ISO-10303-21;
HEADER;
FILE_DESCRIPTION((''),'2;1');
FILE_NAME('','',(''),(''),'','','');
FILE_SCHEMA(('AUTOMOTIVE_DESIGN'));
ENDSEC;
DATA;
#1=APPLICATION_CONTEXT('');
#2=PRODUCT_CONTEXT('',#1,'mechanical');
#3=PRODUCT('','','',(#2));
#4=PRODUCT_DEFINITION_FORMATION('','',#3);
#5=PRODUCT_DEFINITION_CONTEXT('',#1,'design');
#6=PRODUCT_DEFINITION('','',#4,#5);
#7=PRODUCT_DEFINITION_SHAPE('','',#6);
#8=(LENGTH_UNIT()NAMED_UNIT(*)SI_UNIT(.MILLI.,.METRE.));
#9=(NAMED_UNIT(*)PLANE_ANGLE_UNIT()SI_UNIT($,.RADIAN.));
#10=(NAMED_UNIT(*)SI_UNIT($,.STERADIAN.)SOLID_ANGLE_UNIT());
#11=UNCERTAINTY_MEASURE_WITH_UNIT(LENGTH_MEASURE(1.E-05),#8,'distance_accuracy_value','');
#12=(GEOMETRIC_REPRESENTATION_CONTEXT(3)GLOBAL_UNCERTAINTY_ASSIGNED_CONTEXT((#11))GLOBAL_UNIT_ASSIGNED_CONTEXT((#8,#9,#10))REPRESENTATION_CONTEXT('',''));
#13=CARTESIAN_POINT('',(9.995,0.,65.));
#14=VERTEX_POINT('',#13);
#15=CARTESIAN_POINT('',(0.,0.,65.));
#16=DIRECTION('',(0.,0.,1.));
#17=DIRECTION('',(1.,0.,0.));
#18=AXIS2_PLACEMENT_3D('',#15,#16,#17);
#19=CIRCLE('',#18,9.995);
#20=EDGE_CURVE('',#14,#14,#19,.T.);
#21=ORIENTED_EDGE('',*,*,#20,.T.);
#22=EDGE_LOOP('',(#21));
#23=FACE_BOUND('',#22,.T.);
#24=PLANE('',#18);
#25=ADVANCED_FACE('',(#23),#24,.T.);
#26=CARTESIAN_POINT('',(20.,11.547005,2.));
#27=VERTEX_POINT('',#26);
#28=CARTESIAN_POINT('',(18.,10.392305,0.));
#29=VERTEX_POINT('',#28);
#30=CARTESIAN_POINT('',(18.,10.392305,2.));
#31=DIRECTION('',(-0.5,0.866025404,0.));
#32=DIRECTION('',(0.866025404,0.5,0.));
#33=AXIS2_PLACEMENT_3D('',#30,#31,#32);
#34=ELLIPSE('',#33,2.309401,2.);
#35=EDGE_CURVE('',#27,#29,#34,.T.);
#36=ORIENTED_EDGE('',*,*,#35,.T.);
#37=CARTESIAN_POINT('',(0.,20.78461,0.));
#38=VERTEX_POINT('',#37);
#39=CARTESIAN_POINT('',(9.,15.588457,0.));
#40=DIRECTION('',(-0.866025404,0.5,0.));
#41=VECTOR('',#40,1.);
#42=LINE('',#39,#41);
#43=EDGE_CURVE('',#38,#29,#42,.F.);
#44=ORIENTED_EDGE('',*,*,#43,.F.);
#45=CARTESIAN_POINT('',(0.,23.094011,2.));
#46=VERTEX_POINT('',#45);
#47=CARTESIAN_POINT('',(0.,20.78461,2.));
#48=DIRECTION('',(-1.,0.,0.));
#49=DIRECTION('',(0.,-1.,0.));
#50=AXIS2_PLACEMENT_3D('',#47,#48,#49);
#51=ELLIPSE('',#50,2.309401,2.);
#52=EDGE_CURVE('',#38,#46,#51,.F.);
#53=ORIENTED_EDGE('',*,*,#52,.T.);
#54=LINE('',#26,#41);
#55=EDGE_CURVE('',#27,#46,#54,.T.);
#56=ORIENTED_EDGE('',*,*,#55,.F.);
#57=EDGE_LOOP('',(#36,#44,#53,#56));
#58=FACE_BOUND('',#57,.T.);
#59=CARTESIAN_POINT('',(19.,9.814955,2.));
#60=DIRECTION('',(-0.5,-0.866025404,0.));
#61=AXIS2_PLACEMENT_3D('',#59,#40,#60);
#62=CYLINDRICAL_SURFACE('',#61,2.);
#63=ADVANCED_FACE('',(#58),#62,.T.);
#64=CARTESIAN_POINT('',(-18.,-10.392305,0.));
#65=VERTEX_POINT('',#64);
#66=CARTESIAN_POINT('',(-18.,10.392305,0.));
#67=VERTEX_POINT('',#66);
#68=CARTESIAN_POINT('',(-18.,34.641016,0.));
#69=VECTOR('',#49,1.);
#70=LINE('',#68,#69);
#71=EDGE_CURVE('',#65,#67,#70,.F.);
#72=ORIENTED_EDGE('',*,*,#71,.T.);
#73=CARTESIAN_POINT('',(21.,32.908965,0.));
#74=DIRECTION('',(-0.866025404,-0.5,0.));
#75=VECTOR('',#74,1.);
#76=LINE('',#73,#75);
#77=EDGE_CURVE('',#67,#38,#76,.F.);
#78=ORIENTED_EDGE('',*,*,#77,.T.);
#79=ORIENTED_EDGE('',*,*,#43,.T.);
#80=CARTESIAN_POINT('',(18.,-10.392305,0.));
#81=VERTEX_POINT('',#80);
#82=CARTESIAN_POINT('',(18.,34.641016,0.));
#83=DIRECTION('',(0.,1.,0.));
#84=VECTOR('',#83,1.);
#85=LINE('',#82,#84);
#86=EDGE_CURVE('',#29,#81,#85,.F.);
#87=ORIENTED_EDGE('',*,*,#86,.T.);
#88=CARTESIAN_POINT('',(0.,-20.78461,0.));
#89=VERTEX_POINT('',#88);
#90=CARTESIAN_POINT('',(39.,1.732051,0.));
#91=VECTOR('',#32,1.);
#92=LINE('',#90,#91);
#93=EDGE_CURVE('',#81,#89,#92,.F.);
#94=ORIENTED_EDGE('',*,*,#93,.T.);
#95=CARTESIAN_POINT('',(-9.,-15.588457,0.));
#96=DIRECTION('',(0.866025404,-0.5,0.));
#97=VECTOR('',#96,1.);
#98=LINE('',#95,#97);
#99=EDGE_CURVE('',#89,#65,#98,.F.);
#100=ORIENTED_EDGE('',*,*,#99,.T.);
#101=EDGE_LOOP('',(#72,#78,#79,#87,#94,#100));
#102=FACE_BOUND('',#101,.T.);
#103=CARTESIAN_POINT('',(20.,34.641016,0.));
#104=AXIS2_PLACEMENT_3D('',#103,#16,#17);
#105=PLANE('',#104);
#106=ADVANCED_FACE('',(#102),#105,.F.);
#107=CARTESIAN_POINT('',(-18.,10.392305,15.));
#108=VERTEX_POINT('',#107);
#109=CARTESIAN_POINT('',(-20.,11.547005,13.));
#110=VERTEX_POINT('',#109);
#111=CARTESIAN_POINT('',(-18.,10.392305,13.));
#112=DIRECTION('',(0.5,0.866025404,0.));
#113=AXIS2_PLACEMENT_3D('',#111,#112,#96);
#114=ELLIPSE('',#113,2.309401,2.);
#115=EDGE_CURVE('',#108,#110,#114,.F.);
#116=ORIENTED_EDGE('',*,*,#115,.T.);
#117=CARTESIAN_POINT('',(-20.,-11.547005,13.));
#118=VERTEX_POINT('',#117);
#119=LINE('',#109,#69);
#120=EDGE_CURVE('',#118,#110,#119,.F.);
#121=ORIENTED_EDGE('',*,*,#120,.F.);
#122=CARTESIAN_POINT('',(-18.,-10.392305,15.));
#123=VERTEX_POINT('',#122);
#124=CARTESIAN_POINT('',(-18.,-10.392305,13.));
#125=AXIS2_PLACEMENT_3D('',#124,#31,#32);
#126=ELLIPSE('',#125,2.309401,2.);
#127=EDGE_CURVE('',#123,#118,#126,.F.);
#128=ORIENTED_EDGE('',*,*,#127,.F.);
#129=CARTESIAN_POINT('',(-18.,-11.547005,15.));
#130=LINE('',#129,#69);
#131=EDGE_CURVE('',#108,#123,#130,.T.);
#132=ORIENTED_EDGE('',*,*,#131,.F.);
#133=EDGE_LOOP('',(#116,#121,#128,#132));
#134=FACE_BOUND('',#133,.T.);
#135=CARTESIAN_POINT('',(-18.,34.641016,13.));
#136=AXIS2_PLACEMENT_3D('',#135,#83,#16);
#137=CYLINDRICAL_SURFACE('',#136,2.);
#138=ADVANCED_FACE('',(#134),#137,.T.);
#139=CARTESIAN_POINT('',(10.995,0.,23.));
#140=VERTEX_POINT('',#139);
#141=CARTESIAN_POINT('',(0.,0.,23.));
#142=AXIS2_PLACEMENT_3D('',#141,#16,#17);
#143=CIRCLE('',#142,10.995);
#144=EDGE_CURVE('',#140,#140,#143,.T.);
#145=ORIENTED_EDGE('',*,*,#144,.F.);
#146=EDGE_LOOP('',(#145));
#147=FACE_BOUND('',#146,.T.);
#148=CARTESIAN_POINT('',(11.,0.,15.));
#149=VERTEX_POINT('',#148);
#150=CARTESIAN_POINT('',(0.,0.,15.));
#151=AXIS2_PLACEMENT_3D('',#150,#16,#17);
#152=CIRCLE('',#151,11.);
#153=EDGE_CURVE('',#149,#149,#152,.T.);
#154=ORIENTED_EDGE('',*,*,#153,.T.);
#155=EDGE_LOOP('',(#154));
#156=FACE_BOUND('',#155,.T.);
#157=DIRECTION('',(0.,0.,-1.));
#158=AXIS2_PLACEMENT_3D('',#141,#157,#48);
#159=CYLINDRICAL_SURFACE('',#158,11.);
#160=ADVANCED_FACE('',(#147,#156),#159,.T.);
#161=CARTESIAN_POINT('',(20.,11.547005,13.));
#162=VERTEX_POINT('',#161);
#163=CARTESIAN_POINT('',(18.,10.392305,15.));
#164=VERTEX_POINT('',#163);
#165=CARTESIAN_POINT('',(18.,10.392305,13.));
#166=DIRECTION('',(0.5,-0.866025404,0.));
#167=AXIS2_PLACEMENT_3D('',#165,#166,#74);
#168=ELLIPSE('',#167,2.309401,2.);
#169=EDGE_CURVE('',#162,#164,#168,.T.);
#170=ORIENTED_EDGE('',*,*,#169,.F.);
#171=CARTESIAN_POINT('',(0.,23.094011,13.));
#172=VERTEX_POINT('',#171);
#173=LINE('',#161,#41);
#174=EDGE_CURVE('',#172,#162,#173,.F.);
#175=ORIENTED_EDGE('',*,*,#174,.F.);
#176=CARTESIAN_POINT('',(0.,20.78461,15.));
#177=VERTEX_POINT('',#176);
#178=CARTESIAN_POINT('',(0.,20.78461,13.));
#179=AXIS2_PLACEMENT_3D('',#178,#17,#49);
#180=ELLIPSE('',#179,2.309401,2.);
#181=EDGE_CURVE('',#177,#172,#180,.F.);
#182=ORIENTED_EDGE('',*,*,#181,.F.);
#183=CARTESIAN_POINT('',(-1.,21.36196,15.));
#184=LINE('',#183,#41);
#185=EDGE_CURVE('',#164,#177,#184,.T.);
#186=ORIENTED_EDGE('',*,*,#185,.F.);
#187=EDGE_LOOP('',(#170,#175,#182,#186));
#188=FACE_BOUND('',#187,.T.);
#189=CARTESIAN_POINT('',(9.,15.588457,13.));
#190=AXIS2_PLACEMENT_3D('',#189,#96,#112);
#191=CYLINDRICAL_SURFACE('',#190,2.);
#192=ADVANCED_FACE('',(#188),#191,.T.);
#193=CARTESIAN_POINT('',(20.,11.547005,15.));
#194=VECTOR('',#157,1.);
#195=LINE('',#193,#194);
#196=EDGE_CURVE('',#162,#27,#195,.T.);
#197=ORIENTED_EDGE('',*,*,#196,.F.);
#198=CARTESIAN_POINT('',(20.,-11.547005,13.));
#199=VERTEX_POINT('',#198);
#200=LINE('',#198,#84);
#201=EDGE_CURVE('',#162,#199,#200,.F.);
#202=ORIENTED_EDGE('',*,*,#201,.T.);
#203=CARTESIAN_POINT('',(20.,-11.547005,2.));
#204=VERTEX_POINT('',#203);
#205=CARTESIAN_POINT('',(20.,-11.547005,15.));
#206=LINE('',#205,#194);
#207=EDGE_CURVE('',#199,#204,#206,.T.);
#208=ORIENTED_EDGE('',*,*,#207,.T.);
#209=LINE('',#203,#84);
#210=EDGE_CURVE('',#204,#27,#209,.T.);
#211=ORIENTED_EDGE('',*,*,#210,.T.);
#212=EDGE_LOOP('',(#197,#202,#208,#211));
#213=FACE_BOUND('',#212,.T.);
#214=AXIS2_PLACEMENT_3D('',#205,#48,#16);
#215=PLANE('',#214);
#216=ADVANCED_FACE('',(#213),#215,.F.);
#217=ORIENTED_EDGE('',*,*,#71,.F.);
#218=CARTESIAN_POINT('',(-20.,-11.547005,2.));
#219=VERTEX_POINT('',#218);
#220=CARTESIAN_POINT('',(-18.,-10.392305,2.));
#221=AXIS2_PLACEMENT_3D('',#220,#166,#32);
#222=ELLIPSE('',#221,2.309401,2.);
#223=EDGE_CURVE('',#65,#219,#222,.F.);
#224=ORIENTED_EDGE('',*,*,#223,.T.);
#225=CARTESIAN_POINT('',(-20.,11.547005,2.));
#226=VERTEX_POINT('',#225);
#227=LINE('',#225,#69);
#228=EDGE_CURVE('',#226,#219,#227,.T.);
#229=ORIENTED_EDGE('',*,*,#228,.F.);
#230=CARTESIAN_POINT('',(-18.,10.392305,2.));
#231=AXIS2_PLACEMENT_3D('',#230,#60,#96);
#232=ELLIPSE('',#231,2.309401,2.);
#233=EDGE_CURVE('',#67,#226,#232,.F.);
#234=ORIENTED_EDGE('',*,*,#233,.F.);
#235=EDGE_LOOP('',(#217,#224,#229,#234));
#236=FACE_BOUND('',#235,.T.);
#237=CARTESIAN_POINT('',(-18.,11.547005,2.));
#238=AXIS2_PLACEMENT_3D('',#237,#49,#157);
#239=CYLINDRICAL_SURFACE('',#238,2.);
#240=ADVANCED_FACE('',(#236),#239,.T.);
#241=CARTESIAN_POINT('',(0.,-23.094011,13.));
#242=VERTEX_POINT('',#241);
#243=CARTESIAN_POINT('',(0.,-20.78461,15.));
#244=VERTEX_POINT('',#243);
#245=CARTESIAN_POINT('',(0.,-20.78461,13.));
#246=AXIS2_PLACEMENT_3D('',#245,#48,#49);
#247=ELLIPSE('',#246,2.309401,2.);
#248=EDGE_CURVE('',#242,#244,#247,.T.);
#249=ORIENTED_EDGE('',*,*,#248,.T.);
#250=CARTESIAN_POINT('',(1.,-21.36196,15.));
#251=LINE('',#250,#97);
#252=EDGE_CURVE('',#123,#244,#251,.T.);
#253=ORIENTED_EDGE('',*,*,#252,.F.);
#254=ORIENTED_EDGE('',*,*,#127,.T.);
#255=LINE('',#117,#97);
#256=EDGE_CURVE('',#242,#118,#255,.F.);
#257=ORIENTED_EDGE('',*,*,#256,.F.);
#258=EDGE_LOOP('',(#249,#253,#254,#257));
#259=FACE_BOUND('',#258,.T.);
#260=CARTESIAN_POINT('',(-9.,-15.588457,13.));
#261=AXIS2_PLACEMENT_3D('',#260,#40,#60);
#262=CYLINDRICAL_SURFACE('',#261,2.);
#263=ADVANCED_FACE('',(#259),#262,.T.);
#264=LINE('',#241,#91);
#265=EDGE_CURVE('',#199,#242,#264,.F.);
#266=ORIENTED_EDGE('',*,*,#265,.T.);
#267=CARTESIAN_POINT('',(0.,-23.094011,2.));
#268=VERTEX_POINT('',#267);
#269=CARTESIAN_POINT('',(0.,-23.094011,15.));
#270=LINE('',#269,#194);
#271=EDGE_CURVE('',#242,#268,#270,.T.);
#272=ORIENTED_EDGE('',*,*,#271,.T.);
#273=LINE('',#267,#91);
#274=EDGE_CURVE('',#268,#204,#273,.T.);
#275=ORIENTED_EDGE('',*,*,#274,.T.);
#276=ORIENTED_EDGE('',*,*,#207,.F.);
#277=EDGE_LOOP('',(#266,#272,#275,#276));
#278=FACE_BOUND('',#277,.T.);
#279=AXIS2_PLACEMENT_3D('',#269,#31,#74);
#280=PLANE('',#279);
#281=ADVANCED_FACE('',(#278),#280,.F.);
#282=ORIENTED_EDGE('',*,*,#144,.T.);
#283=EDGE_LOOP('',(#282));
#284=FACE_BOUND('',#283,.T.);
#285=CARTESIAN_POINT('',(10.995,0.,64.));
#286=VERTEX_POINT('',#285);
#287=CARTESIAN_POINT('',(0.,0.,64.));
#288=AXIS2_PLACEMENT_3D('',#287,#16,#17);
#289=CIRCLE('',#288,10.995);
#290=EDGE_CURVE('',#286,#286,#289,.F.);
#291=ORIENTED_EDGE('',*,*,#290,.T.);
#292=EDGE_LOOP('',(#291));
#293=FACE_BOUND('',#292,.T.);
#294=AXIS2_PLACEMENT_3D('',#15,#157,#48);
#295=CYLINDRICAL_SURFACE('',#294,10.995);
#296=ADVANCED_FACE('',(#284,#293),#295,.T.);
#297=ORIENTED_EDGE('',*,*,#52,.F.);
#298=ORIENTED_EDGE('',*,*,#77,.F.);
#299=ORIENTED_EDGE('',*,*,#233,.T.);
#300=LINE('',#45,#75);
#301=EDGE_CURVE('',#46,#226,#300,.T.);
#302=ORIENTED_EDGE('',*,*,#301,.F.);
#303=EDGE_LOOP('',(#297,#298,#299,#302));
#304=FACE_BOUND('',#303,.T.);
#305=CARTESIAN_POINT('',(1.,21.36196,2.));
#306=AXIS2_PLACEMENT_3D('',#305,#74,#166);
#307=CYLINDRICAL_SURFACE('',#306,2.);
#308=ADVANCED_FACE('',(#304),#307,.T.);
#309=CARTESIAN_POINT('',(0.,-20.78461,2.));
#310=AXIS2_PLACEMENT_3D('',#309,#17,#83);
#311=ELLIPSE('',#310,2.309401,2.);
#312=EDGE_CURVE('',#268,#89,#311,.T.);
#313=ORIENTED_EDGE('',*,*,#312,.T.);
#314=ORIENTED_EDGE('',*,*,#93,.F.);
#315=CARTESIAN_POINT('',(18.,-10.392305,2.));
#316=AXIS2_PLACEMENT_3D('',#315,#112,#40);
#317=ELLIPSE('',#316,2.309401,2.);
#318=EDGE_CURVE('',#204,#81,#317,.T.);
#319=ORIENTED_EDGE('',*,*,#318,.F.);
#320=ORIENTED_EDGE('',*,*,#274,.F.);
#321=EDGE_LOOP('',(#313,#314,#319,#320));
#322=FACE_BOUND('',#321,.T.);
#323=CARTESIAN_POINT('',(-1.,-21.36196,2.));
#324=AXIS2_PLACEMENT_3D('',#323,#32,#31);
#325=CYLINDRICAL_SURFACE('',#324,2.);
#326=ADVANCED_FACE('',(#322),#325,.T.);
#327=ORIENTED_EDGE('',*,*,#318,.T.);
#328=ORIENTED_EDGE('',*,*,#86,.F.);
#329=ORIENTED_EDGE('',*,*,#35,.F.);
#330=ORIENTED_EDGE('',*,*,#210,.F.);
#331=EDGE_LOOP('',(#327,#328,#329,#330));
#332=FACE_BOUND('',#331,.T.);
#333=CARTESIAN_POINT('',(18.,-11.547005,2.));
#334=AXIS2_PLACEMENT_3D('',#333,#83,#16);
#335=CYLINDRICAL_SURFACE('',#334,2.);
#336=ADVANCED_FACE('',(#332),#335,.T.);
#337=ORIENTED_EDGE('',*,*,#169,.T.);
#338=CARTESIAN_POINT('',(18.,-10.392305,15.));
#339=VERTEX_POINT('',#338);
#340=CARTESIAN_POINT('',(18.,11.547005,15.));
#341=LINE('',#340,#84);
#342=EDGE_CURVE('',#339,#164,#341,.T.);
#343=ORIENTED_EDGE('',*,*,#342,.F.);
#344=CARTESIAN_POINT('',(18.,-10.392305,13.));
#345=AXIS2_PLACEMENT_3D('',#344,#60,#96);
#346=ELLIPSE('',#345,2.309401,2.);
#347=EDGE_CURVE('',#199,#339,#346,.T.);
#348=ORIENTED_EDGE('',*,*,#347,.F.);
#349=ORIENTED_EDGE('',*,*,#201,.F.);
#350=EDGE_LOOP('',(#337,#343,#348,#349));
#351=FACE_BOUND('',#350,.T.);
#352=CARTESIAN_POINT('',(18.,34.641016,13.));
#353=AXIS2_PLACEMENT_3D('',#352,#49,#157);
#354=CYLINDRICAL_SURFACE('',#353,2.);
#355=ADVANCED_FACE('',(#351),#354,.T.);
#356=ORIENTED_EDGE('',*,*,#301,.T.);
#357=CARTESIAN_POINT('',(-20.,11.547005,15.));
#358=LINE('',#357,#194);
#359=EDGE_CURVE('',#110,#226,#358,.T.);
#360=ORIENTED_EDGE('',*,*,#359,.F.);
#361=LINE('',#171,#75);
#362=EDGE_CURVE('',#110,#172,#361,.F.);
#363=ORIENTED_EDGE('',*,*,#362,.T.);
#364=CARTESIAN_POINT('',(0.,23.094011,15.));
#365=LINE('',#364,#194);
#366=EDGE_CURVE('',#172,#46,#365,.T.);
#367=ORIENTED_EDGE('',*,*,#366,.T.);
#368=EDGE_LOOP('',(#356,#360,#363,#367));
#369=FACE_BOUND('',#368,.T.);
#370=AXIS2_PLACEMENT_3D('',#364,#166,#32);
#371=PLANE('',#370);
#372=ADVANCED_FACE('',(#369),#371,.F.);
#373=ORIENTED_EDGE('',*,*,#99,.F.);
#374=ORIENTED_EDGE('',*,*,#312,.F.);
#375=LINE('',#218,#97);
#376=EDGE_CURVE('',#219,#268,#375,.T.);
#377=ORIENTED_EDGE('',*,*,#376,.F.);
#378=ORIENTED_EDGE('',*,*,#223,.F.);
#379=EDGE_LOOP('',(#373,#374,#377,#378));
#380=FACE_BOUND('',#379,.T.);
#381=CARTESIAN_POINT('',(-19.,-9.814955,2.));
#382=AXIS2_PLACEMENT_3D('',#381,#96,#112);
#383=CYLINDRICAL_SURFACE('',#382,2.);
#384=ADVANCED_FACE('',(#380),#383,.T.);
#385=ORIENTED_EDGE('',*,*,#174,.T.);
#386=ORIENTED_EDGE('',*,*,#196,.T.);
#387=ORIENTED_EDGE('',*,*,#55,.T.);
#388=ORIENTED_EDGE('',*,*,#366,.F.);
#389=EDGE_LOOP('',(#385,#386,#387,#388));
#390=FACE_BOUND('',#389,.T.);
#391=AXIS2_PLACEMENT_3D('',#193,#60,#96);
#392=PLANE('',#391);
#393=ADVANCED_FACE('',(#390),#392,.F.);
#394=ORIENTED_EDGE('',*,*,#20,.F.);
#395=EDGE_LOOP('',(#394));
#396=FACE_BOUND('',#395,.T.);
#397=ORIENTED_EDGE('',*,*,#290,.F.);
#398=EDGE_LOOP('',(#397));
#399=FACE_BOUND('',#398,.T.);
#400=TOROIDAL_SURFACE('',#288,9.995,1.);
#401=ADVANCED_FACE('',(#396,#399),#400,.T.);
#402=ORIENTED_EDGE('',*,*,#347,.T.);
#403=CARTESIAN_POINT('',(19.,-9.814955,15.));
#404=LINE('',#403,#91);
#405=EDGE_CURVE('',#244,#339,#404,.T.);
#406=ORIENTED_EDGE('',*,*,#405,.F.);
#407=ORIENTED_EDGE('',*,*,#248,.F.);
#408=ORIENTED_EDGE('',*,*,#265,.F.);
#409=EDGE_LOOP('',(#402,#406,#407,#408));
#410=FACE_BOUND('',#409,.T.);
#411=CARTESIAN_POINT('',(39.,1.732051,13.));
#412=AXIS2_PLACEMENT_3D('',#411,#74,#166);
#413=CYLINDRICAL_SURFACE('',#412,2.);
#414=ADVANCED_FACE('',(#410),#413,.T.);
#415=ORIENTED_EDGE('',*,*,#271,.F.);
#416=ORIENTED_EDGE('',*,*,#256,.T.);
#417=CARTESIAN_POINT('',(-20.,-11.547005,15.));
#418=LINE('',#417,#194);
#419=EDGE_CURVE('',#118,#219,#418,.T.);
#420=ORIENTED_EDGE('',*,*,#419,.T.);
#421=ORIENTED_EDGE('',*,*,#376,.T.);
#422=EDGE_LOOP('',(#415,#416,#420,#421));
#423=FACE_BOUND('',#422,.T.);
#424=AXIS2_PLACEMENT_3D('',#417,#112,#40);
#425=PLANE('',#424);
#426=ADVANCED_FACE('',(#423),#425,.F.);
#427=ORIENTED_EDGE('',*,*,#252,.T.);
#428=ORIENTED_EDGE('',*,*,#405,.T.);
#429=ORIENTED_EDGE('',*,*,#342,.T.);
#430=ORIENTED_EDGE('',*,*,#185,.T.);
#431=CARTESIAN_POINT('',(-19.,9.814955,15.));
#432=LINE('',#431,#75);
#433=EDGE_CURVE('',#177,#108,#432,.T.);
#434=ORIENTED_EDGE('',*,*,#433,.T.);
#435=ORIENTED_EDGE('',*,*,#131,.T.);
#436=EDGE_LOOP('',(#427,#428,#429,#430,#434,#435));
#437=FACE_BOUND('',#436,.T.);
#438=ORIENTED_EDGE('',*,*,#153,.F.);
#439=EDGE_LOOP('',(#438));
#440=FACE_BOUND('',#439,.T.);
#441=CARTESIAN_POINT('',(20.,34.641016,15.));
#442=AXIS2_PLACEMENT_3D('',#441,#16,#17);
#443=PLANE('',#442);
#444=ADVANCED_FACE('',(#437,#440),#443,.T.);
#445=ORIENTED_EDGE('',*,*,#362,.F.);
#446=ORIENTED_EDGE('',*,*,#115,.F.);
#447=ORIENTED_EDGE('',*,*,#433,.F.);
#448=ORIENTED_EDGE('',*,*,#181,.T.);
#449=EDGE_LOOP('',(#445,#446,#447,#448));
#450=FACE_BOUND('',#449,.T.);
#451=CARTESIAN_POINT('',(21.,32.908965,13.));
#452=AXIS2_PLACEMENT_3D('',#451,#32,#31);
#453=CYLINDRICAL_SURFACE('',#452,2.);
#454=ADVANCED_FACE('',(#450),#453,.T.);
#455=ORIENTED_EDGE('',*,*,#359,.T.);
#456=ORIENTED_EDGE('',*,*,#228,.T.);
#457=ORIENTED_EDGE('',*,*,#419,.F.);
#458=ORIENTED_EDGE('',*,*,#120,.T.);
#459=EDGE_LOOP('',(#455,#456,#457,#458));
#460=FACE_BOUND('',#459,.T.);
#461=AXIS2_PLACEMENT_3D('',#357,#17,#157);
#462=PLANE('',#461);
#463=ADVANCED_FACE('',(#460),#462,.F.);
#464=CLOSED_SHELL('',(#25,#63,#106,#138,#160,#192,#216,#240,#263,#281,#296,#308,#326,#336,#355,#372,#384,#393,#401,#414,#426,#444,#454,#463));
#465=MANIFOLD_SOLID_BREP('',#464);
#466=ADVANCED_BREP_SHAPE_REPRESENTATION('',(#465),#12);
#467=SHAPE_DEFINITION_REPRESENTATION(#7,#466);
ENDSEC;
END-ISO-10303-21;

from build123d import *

# Parameters (mm, degrees)
EXTRUDE_414_DEPTH = 15
SKETCH_2_R        = 11
EXTRUDE_1_DEPTH   = 8
FILLET_3_R        = 2
SKETCH_3_R        = 10.995
EXTRUDE_1_2_DEPTH = 42
FILLET_4_R        = 1


with BuildPart() as part:
    # 草图1 → Extrude 414 (new body)
    with BuildSketch(Plane.XY):
        Polygon((20, 11.547005384), (0, 23.094010768), (-20, 11.547005384), (-20, -11.547005384), (0, -23.094010768), (20, -11.547005384), align=None)
    extrude(amount=EXTRUDE_414_DEPTH)

    # 草图2 → Extrude 1 (add)
    with BuildSketch(Plane.XY.offset(15)):
        Circle(SKETCH_2_R)
    extrude(amount=EXTRUDE_1_DEPTH)

    # 圆角3
    fillet_3_edges = [part.edges().sort_by_distance(p)[0] for p in [
        (-10, 17.320508076, 15),
        (-20, 0, 15),
        (-10, -17.320508076, 15),
        (10, -17.320508076, 15),
        (20, 0, 15),
        (10, -17.320508076, 0),
        (-10, -17.320508076, 0),
        (-20, 0, 0),
        (10, 17.320508076, 15),
        (-10, 17.320508076, 0),
        (10, 17.320508076, 0),
        (20, 0, 0),
    ]]
    fillet(fillet_3_edges, radius=FILLET_3_R)

    # 草图3 → Extrude 1 2 (add)
    with BuildSketch(Plane.XY.offset(23)):
        Circle(SKETCH_3_R)
    extrude(amount=EXTRUDE_1_2_DEPTH)

    # 圆角4
    fillet_4_edges = [part.edges().sort_by_distance(p)[0] for p in [
        (-10.995, 0, 65),
    ]]
    fillet(fillet_4_edges, radius=FILLET_4_R)


solid = part.part
